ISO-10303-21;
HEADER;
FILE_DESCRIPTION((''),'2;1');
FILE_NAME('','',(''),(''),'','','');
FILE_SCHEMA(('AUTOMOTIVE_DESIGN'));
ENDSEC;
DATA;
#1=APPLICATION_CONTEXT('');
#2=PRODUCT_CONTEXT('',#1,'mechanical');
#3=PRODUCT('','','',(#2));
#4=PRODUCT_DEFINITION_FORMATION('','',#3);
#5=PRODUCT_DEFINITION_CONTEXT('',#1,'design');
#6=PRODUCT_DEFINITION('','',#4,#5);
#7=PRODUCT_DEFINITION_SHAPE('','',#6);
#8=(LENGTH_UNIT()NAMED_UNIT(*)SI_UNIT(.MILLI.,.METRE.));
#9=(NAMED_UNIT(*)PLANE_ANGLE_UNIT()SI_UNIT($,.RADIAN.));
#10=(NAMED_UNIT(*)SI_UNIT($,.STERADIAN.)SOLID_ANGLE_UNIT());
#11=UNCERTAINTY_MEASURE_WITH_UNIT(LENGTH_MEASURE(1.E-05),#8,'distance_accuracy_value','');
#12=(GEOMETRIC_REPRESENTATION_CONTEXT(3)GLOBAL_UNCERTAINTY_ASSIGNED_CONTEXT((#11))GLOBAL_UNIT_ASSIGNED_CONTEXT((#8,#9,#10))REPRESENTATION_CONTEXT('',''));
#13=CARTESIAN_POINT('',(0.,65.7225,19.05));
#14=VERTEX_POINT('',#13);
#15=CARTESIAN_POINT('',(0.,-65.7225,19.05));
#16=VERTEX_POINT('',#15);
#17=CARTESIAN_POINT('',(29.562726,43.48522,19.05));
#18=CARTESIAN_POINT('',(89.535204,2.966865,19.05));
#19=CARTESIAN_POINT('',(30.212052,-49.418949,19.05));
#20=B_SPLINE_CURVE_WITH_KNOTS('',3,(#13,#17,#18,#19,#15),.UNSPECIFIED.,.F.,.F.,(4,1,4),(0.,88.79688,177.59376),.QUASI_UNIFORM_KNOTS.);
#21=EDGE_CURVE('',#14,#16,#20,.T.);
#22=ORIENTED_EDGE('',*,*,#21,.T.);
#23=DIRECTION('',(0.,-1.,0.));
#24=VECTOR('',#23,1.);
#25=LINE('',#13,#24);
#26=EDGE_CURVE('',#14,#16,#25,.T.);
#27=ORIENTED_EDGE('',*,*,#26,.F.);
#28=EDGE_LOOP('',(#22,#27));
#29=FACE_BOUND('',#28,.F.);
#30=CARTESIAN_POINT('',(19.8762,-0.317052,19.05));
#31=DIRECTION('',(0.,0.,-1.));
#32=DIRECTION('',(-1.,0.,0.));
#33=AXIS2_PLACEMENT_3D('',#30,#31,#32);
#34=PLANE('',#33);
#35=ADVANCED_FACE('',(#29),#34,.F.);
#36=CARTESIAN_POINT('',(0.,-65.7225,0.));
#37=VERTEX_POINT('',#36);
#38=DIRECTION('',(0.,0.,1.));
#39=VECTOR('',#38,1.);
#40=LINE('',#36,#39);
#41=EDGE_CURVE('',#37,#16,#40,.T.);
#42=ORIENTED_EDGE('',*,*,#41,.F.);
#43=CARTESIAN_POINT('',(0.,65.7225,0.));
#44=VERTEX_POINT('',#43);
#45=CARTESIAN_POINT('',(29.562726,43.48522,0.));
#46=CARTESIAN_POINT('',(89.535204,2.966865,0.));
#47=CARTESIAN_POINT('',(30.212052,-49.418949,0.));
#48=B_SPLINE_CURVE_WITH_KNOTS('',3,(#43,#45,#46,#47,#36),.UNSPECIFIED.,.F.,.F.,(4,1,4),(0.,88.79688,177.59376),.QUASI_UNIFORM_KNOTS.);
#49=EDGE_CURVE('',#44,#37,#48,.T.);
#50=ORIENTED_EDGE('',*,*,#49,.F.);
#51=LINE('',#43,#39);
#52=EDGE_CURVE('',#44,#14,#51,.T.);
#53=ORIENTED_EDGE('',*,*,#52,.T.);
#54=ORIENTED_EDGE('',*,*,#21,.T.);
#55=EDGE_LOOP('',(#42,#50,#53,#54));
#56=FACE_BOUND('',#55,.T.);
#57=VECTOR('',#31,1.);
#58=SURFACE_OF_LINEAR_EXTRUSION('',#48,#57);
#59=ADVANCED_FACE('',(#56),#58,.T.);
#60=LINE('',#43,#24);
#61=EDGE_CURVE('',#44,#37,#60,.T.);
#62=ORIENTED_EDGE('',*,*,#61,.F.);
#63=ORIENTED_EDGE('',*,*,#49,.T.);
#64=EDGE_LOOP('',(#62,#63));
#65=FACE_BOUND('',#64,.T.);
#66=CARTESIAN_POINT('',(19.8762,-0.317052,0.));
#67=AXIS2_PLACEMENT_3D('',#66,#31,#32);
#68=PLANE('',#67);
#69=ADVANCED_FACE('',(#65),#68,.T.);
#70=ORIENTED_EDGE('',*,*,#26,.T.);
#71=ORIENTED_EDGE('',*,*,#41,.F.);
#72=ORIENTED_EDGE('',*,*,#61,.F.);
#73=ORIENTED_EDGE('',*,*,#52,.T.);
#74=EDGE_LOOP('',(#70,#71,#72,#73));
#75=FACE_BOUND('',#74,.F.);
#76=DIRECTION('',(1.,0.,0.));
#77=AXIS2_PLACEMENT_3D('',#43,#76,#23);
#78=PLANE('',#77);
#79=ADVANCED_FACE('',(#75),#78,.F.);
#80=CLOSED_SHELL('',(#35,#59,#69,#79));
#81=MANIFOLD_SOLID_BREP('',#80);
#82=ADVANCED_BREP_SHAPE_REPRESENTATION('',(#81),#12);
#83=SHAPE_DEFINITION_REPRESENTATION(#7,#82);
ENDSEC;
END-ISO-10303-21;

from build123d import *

# Parameters (mm, degrees)
F1_DEPTH = 19.05


with BuildPart() as f1:
    # F0 (on Top) → F1 (new body)
    with BuildSketch(Plane.XY):
        with BuildLine():
            add(Edge.make_bspline(
                [(0, 65.7225), (29.562726, 43.48522), (89.535204, 2.966865), (30.212052, -49.418949), (0, -65.7225)],
                knots=[0, 0, 0, 0, 88.79688, 177.59376, 177.59376, 177.59376, 177.59376], degree=3))
            Line((0, 65.7225), (0, 0))
            Line((0, 0), (0, -65.7225))
        make_face()
    extrude(amount=F1_DEPTH)


solid = f1.part
